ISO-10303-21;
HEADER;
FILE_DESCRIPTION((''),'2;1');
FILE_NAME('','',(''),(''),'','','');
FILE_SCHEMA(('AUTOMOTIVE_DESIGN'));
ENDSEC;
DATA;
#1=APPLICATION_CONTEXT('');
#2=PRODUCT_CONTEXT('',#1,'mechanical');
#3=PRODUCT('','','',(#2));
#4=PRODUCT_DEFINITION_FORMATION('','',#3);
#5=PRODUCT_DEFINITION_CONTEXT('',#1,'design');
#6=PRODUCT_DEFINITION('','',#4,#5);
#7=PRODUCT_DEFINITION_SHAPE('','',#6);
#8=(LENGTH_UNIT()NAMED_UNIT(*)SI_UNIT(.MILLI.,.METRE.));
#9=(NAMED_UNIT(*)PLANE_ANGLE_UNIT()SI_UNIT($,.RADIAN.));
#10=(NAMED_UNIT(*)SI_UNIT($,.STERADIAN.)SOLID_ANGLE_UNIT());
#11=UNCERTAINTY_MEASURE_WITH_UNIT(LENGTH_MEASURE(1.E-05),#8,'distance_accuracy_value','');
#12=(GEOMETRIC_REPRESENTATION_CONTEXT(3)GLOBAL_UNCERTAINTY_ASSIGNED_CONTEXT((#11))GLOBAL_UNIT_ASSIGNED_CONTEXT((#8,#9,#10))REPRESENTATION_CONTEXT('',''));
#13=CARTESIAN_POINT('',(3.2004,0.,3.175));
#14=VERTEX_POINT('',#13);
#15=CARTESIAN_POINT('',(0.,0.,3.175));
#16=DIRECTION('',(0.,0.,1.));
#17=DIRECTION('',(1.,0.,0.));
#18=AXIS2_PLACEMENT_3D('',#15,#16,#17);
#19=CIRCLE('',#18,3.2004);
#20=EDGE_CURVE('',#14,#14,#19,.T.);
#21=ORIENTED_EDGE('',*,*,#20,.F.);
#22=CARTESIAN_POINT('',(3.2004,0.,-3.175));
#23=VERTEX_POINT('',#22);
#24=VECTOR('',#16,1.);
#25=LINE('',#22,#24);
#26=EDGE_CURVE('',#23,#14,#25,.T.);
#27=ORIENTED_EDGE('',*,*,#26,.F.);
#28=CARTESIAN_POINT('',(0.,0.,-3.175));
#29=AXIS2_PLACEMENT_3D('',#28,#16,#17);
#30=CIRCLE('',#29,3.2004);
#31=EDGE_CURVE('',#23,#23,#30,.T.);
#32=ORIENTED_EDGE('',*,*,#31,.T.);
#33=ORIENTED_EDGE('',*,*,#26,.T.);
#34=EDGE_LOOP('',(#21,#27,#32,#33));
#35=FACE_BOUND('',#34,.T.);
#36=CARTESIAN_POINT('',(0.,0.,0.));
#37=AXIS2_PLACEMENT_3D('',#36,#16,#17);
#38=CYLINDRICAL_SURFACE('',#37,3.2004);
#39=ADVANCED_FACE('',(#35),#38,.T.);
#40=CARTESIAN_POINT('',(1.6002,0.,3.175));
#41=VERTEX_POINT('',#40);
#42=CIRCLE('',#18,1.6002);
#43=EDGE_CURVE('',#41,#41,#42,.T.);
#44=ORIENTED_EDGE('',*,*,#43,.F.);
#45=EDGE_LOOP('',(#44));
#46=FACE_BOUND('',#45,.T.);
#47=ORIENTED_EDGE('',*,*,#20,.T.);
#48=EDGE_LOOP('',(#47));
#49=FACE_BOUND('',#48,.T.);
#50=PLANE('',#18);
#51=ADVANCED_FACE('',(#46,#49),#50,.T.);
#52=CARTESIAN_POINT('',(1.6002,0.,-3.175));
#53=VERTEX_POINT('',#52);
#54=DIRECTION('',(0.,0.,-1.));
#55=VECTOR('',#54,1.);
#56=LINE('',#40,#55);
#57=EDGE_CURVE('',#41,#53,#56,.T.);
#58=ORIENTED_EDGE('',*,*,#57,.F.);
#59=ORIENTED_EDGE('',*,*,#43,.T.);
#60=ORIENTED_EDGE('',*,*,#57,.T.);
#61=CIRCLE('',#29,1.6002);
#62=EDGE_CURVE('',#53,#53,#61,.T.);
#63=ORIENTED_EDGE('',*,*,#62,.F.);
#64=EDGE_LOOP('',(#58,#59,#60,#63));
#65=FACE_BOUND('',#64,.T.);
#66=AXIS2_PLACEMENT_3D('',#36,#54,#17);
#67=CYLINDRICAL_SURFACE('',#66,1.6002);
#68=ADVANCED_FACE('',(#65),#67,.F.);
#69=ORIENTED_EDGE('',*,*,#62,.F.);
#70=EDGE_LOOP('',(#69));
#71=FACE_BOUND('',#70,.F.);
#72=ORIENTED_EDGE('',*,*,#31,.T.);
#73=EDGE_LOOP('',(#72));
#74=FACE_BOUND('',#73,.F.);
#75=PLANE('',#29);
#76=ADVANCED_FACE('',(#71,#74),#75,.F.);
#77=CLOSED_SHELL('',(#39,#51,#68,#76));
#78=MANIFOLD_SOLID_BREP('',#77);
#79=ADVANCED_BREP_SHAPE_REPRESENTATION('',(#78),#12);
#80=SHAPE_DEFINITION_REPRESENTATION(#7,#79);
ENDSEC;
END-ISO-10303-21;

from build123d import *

# Parameters (mm, degrees)
SKETCH1_R      = 3.2004
SKETCH1_R_2    = 1.6002
EXTRUDE1_DEPTH = 3.175


with BuildPart() as part:
    # Sketch1 → Extrude1 (new body, symmetric)
    with BuildSketch(Plane.XY):
        Circle(SKETCH1_R)
        Circle(SKETCH1_R_2, mode=Mode.SUBTRACT)
    extrude(amount=EXTRUDE1_DEPTH, both=True)


solid = part.part
